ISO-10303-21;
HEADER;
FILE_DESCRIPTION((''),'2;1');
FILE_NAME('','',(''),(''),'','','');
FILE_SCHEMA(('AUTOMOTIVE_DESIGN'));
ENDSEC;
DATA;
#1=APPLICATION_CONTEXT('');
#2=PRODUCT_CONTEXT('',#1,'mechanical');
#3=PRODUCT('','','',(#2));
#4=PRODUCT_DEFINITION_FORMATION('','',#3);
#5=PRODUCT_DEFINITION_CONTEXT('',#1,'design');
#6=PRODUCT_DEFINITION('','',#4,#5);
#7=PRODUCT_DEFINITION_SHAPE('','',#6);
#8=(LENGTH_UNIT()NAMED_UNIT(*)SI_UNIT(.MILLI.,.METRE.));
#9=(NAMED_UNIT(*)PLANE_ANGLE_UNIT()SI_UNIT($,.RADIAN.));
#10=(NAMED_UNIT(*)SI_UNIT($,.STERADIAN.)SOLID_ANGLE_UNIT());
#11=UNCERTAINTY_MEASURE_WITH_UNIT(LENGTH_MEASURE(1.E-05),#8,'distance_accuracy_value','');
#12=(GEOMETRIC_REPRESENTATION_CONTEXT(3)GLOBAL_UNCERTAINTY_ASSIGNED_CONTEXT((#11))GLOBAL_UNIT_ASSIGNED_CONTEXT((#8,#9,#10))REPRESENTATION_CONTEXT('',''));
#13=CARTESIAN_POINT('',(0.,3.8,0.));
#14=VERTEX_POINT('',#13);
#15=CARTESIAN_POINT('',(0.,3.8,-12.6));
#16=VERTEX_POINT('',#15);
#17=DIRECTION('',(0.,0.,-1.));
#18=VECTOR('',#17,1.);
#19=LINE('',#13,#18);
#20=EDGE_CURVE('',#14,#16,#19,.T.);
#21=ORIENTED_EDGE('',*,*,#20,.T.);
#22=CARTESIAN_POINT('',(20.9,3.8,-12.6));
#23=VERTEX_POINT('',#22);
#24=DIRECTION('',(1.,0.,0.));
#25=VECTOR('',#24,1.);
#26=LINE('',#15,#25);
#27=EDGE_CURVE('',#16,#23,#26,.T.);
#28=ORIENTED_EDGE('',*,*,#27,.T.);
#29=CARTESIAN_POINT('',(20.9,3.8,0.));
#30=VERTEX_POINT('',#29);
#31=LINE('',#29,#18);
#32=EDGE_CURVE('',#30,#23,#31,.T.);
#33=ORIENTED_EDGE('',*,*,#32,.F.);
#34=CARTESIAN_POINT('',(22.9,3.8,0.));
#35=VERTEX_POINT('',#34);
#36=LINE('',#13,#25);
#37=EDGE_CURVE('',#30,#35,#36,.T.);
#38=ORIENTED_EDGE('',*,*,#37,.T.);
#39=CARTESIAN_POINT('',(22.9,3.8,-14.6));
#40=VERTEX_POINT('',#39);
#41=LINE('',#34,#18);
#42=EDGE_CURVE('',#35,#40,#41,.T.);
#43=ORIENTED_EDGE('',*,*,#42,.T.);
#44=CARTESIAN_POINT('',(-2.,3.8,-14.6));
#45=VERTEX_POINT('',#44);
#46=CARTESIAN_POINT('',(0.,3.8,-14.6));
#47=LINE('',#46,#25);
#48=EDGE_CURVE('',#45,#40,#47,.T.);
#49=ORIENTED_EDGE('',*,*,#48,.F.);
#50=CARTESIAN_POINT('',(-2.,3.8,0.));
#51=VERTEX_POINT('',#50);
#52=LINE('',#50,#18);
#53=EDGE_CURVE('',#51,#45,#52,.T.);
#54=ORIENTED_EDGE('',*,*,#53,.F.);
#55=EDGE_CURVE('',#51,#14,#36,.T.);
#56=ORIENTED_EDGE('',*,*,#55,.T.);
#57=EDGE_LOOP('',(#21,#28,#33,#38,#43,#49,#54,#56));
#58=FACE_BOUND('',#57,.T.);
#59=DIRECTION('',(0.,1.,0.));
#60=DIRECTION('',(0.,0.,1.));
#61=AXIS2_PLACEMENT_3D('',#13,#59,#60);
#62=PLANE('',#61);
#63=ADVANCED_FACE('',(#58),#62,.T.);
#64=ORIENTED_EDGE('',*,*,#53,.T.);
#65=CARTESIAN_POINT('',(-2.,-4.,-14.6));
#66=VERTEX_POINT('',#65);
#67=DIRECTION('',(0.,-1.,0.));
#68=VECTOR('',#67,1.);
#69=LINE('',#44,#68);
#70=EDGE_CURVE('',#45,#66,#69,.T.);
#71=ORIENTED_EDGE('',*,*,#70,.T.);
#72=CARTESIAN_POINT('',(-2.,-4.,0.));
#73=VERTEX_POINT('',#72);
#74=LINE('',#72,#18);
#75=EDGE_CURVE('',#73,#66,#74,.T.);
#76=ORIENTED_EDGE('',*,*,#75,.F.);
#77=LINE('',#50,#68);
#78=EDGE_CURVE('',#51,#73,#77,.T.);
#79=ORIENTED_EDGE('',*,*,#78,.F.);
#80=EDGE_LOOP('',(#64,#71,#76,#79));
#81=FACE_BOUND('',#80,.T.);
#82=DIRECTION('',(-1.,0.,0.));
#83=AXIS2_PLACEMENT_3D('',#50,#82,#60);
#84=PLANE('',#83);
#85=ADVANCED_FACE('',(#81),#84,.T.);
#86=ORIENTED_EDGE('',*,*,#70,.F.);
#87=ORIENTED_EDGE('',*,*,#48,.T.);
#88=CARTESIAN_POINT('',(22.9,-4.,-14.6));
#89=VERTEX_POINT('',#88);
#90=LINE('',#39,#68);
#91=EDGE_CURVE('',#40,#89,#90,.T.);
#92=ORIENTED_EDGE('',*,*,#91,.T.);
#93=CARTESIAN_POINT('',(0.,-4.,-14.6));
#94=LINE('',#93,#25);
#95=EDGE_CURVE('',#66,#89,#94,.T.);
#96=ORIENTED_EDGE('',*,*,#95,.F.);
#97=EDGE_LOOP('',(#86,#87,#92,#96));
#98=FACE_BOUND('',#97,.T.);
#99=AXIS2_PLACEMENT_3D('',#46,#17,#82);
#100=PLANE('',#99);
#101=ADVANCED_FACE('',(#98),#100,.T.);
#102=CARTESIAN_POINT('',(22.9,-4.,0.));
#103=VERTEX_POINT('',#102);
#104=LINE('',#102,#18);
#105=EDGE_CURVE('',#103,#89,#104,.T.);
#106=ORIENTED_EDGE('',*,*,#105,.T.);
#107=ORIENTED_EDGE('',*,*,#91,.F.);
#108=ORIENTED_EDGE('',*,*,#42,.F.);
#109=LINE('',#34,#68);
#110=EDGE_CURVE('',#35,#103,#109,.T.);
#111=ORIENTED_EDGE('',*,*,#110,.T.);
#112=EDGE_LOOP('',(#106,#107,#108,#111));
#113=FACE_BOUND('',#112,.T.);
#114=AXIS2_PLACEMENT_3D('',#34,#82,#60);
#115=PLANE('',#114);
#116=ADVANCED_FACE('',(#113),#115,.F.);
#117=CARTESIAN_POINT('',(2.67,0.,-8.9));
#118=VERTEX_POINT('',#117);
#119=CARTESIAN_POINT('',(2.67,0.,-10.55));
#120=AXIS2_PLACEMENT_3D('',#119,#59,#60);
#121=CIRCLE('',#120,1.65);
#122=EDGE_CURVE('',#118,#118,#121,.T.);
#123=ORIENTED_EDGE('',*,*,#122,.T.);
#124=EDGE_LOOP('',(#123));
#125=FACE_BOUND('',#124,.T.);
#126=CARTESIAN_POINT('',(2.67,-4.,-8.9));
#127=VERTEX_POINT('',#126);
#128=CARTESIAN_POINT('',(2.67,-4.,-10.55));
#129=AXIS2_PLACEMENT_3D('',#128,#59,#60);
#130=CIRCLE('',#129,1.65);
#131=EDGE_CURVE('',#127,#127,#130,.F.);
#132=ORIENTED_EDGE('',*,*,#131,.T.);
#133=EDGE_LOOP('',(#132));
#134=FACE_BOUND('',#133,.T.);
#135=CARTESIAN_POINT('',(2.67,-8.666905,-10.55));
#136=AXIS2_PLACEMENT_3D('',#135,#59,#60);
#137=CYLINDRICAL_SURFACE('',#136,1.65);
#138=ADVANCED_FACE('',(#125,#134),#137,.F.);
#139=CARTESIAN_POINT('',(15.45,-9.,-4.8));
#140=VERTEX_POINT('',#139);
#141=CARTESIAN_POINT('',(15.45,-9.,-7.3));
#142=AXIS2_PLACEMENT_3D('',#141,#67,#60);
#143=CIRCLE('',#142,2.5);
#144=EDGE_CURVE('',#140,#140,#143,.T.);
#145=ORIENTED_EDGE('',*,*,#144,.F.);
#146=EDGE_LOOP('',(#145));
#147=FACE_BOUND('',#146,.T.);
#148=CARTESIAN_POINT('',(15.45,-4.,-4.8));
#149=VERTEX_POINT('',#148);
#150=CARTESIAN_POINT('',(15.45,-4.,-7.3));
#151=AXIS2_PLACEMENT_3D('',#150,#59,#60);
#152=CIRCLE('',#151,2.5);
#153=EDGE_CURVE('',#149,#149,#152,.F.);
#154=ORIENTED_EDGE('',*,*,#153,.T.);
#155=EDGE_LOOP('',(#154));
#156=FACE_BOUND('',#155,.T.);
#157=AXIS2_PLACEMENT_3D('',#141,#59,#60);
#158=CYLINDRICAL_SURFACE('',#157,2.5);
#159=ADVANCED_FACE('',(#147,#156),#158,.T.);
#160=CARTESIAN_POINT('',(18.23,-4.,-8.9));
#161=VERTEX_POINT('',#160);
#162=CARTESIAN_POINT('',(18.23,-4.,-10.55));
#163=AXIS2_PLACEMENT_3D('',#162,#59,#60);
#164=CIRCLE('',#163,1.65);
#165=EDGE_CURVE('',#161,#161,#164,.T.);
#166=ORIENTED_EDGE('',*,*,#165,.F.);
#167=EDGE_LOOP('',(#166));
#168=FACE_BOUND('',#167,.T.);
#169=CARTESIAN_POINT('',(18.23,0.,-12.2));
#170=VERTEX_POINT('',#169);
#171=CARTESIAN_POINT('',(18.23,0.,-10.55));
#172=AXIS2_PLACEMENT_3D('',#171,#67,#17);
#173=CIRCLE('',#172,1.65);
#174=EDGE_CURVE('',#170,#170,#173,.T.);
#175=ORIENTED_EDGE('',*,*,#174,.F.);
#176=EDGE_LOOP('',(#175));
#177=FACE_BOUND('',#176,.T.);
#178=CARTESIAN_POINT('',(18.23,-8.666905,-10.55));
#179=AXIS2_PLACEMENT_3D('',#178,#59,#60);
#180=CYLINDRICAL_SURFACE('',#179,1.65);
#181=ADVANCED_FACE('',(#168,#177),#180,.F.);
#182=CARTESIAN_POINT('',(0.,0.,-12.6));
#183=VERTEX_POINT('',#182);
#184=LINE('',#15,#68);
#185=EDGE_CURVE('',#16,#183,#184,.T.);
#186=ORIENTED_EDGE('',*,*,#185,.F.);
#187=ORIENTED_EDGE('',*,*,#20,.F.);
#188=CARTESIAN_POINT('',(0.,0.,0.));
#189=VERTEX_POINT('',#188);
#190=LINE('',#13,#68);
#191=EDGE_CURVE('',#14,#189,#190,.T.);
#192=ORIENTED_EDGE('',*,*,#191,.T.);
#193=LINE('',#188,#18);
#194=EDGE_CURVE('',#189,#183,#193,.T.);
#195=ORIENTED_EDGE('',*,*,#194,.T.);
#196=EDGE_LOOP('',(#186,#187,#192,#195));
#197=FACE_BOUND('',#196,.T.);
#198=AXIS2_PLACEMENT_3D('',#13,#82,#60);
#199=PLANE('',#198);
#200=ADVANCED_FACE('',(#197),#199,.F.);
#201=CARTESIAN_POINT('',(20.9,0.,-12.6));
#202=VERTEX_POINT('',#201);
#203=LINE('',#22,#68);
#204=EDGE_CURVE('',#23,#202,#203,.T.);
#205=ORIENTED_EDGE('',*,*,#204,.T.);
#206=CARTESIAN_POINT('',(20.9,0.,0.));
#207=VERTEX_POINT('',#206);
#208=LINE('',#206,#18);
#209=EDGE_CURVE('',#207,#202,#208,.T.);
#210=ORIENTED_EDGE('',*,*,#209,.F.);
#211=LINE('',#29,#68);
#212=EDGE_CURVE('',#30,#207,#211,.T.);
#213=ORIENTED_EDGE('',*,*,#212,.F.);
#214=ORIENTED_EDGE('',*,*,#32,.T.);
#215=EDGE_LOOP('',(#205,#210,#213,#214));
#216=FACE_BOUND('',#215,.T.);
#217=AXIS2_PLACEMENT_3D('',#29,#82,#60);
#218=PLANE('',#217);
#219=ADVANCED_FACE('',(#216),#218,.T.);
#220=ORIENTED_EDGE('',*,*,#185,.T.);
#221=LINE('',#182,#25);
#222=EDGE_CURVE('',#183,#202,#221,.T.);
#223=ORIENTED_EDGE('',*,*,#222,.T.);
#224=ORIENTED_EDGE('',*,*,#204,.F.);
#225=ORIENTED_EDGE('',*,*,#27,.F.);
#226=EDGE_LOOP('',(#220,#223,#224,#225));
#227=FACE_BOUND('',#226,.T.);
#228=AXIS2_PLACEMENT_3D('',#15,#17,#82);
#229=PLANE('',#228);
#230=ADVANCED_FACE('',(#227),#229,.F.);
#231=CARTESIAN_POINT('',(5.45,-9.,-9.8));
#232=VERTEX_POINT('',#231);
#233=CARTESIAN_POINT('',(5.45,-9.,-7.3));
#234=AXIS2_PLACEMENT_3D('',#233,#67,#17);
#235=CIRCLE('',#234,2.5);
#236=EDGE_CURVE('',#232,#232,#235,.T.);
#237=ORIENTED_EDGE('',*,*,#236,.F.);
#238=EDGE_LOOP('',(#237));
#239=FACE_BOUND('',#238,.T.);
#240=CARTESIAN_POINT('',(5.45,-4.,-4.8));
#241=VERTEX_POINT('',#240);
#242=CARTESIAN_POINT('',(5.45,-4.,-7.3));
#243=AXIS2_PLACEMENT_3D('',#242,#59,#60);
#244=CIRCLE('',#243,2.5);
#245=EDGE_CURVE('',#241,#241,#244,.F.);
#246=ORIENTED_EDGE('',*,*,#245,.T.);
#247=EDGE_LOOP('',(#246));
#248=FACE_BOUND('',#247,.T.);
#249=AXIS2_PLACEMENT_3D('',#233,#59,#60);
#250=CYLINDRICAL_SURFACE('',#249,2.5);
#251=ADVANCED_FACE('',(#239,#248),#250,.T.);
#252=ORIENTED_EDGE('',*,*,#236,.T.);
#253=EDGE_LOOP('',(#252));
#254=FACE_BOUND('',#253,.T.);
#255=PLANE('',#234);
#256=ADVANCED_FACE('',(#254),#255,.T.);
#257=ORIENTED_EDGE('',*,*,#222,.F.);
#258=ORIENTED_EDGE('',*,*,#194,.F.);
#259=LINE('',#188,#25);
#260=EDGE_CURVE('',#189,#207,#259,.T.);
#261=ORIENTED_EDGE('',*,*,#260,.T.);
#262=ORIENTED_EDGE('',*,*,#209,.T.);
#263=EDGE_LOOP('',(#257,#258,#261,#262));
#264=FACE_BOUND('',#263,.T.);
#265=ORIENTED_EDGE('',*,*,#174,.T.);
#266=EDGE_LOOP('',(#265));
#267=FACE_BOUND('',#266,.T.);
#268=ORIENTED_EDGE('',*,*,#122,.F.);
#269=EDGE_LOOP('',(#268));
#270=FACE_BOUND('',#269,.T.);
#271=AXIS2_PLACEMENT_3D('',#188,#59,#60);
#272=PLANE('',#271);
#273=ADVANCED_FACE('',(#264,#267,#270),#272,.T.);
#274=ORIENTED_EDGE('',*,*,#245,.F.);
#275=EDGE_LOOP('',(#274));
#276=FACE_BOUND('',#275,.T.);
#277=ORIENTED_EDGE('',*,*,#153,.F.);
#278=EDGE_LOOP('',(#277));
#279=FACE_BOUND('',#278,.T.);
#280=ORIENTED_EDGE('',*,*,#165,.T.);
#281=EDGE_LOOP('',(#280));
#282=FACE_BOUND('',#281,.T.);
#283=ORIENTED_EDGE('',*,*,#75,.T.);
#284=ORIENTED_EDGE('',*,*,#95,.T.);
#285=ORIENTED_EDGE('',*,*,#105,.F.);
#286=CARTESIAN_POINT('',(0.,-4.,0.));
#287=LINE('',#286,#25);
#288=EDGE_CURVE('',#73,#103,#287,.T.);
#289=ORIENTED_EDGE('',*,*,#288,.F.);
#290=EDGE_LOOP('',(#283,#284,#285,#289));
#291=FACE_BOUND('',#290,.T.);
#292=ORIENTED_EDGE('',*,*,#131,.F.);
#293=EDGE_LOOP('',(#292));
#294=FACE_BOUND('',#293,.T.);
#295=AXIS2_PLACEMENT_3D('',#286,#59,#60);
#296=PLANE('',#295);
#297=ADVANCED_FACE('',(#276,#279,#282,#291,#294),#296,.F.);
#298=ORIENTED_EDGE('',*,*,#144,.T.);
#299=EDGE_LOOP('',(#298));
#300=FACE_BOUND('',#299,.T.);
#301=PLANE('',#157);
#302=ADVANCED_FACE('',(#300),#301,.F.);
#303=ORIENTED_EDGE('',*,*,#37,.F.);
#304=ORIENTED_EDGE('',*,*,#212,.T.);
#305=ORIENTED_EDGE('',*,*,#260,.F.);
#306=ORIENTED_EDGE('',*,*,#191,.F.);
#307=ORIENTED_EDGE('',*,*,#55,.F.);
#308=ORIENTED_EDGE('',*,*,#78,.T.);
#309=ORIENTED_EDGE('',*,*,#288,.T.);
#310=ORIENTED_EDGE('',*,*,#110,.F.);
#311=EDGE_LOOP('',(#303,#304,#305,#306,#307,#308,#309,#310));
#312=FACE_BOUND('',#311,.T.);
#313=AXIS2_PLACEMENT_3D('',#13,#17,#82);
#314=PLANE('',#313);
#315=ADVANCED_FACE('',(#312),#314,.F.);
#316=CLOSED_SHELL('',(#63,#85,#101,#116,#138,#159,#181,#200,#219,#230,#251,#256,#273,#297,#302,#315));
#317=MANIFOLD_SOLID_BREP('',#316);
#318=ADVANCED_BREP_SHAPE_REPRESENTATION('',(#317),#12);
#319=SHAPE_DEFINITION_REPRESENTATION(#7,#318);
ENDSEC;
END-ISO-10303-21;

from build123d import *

# Parameters (mm, degrees)
BOSS_EXTRUDE1_DEPTH = 3.8
SKETCH1_3_W         = 20.9
SKETCH1_3_H         = 12.6
BOSS_EXTRUDE2_DEPTH = 4
SKETCH3_R           = 2.5
BOSS_EXTRUDE4_DEPTH = 5
SKETCH5_R           = 1.65
CUT_EXTRUDE1_DEPTH  = 4


with BuildPart() as part:
    # Sketch1 → Boss-Extrude1 (new body)
    with BuildSketch(Plane(origin=(0, 0, 0), x_dir=(1, 0, 0), z_dir=(0, 1, 0))):
        Polygon((22.9, 14.6), (-2, 14.6), (-2, 0), (0, 0), (0, 12.6), (20.9, 12.6), (20.9, 0), (22.9, 0), align=None)
    extrude(amount=BOSS_EXTRUDE1_DEPTH)

    # Sketch1<3> → Boss-Extrude2 (add)
    with BuildSketch(Plane(origin=(0, 0, 0), x_dir=(1, 0, 0), z_dir=(0, 1, 0))):
        with Locations((10.45, 6.3)):
            Rectangle(SKETCH1_3_W, SKETCH1_3_H)
        Polygon((22.9, 14.6), (-2, 14.6), (-2, 0), (0, 0), (0, 12.6), (20.9, 12.6), (20.9, 0), (22.9, 0), align=None)
    extrude(amount=-BOSS_EXTRUDE2_DEPTH)

    # Sketch3 → Boss-Extrude4 (add)
    with BuildSketch(Plane.XZ.offset(4)):
        with Locations(Location((5.45, -7.3, 0), (0, 0, 90))):
            Circle(SKETCH3_R)
        with Locations(Location((15.45, -7.3, 0), (0, 0, 90))):
            Circle(SKETCH3_R)
    extrude(amount=BOSS_EXTRUDE4_DEPTH)

    # Sketch5 → Cut-Extrude1 (cut)
    with BuildSketch(Plane(origin=(0, 0, 0), x_dir=(1, 0, 0), z_dir=(0, 1, 0))):
        with Locations(Location((2.67, 10.55, 0), (0, 0, 270))):
            Circle(SKETCH5_R)
        with Locations(Location((18.23, 10.55, 0), (0, 0, 270))):
            Circle(SKETCH5_R)
    extrude(amount=-CUT_EXTRUDE1_DEPTH, mode=Mode.SUBTRACT)


solid = part.part
